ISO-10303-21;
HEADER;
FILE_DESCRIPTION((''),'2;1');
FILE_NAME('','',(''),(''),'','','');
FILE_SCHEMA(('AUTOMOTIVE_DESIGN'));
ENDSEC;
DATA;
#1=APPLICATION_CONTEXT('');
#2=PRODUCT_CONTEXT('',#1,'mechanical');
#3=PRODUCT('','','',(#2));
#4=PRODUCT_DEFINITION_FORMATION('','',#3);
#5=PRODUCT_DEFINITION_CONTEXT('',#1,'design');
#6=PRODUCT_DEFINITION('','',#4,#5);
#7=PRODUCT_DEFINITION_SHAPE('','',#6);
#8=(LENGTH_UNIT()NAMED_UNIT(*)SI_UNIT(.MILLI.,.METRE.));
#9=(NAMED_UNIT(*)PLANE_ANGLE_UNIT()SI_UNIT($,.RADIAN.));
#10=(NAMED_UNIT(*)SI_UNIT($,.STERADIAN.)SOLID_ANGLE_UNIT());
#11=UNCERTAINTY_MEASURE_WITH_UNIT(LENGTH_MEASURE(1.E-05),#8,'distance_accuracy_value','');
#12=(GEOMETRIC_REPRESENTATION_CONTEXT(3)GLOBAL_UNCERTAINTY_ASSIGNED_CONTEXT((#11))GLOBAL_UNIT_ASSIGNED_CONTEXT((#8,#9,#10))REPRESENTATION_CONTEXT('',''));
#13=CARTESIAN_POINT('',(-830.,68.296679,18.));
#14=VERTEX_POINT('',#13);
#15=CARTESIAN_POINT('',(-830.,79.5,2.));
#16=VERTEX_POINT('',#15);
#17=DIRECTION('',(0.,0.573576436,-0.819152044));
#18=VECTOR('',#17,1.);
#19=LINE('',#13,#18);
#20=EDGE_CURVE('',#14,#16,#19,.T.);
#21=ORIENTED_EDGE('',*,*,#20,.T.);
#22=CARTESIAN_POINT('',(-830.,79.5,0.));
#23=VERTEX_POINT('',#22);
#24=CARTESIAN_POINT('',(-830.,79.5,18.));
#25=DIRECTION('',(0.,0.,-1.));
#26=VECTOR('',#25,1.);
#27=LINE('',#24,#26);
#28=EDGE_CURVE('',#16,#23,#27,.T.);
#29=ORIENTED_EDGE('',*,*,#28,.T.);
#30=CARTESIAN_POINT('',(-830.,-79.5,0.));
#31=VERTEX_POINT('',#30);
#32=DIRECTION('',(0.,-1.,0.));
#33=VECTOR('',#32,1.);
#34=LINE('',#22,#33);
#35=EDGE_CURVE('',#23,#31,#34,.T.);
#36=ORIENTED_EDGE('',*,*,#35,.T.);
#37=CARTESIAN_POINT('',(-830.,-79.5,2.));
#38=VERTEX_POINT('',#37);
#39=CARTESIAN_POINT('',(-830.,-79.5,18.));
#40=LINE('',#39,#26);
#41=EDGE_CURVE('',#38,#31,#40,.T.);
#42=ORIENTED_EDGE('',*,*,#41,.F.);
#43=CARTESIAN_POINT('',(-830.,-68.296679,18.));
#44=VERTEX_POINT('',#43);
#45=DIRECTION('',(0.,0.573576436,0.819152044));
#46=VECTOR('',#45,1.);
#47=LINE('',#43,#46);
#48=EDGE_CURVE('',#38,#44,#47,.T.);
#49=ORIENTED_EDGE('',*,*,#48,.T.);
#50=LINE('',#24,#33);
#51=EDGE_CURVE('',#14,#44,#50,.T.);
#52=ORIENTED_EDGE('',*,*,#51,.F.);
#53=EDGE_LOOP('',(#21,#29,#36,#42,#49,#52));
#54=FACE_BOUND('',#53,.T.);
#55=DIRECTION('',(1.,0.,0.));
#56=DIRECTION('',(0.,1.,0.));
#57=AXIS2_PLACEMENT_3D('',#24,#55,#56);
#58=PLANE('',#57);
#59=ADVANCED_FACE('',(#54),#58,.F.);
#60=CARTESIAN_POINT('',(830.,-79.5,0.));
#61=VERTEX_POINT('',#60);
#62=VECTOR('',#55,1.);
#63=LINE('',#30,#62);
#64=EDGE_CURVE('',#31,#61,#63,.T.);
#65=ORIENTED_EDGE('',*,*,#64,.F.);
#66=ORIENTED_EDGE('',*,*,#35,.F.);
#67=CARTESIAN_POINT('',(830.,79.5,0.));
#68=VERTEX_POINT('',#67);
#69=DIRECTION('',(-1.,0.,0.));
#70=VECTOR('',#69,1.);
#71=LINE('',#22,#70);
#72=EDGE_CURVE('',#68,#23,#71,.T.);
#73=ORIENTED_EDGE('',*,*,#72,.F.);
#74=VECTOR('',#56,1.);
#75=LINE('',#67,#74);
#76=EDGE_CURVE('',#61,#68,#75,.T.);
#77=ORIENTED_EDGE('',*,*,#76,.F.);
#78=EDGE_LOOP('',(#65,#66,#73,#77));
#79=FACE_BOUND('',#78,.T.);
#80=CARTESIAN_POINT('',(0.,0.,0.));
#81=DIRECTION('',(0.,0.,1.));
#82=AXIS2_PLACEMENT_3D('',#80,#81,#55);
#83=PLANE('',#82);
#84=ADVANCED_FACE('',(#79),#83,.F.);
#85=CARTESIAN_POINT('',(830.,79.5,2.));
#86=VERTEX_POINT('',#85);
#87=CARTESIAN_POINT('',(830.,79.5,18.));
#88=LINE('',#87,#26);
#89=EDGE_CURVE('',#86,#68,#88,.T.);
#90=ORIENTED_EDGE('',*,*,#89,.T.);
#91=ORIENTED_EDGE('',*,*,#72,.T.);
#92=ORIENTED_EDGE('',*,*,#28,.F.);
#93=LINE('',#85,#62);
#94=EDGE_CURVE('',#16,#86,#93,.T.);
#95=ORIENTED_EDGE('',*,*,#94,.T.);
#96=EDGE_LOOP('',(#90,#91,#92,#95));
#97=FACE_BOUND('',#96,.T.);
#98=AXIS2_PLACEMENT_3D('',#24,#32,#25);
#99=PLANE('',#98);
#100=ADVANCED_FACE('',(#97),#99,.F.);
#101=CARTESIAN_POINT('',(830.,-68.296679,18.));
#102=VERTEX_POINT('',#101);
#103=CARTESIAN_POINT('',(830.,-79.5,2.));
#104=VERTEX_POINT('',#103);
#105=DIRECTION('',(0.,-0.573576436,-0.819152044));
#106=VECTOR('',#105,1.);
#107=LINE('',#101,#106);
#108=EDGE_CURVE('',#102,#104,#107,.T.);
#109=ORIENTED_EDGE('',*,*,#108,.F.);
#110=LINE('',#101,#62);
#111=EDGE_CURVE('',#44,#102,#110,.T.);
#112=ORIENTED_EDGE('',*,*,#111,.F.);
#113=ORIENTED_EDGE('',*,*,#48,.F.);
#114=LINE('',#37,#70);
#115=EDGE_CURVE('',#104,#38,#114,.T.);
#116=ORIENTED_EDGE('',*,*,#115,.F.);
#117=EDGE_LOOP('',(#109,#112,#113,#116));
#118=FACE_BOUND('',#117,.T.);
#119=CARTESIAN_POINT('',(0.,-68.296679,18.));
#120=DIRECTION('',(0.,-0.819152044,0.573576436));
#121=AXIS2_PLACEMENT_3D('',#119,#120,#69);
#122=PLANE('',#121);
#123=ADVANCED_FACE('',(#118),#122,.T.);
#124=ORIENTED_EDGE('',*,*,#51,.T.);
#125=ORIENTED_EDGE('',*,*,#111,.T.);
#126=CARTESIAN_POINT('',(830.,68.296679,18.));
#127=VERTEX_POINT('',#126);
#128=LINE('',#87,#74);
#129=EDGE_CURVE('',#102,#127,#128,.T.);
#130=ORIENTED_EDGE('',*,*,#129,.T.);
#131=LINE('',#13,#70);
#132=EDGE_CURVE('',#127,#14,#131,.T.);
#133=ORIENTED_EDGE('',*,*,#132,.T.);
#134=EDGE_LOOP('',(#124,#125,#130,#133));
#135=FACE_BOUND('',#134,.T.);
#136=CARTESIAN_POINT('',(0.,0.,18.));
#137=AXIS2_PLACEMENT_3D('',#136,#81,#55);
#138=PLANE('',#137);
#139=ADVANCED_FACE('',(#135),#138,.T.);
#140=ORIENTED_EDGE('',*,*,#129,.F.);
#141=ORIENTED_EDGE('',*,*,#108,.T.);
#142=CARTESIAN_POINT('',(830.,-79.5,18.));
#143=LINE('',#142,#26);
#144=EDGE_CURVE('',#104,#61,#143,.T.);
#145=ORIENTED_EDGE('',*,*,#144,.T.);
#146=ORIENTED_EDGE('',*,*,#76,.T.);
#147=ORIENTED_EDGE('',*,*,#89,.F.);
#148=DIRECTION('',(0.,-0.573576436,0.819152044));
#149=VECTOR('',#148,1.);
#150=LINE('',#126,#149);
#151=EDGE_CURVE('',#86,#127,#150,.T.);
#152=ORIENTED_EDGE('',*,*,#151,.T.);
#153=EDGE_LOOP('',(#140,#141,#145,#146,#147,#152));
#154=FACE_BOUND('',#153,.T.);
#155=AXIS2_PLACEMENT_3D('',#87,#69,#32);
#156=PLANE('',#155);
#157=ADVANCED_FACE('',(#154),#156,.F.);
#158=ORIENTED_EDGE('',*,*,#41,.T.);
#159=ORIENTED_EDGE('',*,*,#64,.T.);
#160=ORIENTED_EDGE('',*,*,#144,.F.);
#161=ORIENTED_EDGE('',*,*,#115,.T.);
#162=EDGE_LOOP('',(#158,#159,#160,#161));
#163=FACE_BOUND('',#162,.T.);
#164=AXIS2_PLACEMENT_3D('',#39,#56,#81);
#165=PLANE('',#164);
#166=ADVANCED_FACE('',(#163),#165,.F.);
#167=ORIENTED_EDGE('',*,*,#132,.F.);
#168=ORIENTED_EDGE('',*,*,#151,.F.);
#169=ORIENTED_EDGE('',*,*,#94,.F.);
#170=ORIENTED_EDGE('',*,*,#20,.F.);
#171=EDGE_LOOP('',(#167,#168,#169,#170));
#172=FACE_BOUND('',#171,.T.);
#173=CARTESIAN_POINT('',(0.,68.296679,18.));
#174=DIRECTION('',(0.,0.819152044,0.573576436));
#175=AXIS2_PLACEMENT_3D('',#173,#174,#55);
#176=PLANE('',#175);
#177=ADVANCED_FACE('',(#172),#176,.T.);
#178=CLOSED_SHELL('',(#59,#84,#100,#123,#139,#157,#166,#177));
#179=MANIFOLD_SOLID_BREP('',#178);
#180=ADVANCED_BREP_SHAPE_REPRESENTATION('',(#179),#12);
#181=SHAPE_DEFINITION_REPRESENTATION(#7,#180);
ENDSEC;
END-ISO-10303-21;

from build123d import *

# Parameters (mm, degrees)
SKETCH_1_W      = 1660
SKETCH_1_H      = 159
EXTRUDE_1_DEPTH = 18
CHAMFER_1_SIZE  = 16
CHAMFER_1_SIZE2 = 11.203320611
CHAMFER_2_SIZE  = 16
CHAMFER_2_SIZE2 = 11.203320611


with BuildPart() as part:
    # 草图1 → 凸台-拉伸1 (new body)
    with BuildSketch(Plane.XY):
        Rectangle(SKETCH_1_W, SKETCH_1_H)
    extrude(amount=EXTRUDE_1_DEPTH)

    # 倒角1
    chamfer_1_edges = [part.edges().sort_by_distance(p)[0] for p in [
        (0, 79.5, 18),
    ]]
    chamfer_1_side = [part.faces().sort_by_distance(p)[0] for p in [
        (0, 79.5, 9),
    ]]
    chamfer(chamfer_1_edges, length=CHAMFER_1_SIZE, length2=CHAMFER_1_SIZE2, reference=chamfer_1_side[0])

    # 倒角2
    chamfer_2_edges = [part.edges().sort_by_distance(p)[0] for p in [
        (0, -79.5, 18),
    ]]
    chamfer_2_side = [part.faces().sort_by_distance(p)[0] for p in [
        (0, -79.5, 9),
    ]]
    chamfer(chamfer_2_edges, length=CHAMFER_2_SIZE, length2=CHAMFER_2_SIZE2, reference=chamfer_2_side[0])


solid = part.part
